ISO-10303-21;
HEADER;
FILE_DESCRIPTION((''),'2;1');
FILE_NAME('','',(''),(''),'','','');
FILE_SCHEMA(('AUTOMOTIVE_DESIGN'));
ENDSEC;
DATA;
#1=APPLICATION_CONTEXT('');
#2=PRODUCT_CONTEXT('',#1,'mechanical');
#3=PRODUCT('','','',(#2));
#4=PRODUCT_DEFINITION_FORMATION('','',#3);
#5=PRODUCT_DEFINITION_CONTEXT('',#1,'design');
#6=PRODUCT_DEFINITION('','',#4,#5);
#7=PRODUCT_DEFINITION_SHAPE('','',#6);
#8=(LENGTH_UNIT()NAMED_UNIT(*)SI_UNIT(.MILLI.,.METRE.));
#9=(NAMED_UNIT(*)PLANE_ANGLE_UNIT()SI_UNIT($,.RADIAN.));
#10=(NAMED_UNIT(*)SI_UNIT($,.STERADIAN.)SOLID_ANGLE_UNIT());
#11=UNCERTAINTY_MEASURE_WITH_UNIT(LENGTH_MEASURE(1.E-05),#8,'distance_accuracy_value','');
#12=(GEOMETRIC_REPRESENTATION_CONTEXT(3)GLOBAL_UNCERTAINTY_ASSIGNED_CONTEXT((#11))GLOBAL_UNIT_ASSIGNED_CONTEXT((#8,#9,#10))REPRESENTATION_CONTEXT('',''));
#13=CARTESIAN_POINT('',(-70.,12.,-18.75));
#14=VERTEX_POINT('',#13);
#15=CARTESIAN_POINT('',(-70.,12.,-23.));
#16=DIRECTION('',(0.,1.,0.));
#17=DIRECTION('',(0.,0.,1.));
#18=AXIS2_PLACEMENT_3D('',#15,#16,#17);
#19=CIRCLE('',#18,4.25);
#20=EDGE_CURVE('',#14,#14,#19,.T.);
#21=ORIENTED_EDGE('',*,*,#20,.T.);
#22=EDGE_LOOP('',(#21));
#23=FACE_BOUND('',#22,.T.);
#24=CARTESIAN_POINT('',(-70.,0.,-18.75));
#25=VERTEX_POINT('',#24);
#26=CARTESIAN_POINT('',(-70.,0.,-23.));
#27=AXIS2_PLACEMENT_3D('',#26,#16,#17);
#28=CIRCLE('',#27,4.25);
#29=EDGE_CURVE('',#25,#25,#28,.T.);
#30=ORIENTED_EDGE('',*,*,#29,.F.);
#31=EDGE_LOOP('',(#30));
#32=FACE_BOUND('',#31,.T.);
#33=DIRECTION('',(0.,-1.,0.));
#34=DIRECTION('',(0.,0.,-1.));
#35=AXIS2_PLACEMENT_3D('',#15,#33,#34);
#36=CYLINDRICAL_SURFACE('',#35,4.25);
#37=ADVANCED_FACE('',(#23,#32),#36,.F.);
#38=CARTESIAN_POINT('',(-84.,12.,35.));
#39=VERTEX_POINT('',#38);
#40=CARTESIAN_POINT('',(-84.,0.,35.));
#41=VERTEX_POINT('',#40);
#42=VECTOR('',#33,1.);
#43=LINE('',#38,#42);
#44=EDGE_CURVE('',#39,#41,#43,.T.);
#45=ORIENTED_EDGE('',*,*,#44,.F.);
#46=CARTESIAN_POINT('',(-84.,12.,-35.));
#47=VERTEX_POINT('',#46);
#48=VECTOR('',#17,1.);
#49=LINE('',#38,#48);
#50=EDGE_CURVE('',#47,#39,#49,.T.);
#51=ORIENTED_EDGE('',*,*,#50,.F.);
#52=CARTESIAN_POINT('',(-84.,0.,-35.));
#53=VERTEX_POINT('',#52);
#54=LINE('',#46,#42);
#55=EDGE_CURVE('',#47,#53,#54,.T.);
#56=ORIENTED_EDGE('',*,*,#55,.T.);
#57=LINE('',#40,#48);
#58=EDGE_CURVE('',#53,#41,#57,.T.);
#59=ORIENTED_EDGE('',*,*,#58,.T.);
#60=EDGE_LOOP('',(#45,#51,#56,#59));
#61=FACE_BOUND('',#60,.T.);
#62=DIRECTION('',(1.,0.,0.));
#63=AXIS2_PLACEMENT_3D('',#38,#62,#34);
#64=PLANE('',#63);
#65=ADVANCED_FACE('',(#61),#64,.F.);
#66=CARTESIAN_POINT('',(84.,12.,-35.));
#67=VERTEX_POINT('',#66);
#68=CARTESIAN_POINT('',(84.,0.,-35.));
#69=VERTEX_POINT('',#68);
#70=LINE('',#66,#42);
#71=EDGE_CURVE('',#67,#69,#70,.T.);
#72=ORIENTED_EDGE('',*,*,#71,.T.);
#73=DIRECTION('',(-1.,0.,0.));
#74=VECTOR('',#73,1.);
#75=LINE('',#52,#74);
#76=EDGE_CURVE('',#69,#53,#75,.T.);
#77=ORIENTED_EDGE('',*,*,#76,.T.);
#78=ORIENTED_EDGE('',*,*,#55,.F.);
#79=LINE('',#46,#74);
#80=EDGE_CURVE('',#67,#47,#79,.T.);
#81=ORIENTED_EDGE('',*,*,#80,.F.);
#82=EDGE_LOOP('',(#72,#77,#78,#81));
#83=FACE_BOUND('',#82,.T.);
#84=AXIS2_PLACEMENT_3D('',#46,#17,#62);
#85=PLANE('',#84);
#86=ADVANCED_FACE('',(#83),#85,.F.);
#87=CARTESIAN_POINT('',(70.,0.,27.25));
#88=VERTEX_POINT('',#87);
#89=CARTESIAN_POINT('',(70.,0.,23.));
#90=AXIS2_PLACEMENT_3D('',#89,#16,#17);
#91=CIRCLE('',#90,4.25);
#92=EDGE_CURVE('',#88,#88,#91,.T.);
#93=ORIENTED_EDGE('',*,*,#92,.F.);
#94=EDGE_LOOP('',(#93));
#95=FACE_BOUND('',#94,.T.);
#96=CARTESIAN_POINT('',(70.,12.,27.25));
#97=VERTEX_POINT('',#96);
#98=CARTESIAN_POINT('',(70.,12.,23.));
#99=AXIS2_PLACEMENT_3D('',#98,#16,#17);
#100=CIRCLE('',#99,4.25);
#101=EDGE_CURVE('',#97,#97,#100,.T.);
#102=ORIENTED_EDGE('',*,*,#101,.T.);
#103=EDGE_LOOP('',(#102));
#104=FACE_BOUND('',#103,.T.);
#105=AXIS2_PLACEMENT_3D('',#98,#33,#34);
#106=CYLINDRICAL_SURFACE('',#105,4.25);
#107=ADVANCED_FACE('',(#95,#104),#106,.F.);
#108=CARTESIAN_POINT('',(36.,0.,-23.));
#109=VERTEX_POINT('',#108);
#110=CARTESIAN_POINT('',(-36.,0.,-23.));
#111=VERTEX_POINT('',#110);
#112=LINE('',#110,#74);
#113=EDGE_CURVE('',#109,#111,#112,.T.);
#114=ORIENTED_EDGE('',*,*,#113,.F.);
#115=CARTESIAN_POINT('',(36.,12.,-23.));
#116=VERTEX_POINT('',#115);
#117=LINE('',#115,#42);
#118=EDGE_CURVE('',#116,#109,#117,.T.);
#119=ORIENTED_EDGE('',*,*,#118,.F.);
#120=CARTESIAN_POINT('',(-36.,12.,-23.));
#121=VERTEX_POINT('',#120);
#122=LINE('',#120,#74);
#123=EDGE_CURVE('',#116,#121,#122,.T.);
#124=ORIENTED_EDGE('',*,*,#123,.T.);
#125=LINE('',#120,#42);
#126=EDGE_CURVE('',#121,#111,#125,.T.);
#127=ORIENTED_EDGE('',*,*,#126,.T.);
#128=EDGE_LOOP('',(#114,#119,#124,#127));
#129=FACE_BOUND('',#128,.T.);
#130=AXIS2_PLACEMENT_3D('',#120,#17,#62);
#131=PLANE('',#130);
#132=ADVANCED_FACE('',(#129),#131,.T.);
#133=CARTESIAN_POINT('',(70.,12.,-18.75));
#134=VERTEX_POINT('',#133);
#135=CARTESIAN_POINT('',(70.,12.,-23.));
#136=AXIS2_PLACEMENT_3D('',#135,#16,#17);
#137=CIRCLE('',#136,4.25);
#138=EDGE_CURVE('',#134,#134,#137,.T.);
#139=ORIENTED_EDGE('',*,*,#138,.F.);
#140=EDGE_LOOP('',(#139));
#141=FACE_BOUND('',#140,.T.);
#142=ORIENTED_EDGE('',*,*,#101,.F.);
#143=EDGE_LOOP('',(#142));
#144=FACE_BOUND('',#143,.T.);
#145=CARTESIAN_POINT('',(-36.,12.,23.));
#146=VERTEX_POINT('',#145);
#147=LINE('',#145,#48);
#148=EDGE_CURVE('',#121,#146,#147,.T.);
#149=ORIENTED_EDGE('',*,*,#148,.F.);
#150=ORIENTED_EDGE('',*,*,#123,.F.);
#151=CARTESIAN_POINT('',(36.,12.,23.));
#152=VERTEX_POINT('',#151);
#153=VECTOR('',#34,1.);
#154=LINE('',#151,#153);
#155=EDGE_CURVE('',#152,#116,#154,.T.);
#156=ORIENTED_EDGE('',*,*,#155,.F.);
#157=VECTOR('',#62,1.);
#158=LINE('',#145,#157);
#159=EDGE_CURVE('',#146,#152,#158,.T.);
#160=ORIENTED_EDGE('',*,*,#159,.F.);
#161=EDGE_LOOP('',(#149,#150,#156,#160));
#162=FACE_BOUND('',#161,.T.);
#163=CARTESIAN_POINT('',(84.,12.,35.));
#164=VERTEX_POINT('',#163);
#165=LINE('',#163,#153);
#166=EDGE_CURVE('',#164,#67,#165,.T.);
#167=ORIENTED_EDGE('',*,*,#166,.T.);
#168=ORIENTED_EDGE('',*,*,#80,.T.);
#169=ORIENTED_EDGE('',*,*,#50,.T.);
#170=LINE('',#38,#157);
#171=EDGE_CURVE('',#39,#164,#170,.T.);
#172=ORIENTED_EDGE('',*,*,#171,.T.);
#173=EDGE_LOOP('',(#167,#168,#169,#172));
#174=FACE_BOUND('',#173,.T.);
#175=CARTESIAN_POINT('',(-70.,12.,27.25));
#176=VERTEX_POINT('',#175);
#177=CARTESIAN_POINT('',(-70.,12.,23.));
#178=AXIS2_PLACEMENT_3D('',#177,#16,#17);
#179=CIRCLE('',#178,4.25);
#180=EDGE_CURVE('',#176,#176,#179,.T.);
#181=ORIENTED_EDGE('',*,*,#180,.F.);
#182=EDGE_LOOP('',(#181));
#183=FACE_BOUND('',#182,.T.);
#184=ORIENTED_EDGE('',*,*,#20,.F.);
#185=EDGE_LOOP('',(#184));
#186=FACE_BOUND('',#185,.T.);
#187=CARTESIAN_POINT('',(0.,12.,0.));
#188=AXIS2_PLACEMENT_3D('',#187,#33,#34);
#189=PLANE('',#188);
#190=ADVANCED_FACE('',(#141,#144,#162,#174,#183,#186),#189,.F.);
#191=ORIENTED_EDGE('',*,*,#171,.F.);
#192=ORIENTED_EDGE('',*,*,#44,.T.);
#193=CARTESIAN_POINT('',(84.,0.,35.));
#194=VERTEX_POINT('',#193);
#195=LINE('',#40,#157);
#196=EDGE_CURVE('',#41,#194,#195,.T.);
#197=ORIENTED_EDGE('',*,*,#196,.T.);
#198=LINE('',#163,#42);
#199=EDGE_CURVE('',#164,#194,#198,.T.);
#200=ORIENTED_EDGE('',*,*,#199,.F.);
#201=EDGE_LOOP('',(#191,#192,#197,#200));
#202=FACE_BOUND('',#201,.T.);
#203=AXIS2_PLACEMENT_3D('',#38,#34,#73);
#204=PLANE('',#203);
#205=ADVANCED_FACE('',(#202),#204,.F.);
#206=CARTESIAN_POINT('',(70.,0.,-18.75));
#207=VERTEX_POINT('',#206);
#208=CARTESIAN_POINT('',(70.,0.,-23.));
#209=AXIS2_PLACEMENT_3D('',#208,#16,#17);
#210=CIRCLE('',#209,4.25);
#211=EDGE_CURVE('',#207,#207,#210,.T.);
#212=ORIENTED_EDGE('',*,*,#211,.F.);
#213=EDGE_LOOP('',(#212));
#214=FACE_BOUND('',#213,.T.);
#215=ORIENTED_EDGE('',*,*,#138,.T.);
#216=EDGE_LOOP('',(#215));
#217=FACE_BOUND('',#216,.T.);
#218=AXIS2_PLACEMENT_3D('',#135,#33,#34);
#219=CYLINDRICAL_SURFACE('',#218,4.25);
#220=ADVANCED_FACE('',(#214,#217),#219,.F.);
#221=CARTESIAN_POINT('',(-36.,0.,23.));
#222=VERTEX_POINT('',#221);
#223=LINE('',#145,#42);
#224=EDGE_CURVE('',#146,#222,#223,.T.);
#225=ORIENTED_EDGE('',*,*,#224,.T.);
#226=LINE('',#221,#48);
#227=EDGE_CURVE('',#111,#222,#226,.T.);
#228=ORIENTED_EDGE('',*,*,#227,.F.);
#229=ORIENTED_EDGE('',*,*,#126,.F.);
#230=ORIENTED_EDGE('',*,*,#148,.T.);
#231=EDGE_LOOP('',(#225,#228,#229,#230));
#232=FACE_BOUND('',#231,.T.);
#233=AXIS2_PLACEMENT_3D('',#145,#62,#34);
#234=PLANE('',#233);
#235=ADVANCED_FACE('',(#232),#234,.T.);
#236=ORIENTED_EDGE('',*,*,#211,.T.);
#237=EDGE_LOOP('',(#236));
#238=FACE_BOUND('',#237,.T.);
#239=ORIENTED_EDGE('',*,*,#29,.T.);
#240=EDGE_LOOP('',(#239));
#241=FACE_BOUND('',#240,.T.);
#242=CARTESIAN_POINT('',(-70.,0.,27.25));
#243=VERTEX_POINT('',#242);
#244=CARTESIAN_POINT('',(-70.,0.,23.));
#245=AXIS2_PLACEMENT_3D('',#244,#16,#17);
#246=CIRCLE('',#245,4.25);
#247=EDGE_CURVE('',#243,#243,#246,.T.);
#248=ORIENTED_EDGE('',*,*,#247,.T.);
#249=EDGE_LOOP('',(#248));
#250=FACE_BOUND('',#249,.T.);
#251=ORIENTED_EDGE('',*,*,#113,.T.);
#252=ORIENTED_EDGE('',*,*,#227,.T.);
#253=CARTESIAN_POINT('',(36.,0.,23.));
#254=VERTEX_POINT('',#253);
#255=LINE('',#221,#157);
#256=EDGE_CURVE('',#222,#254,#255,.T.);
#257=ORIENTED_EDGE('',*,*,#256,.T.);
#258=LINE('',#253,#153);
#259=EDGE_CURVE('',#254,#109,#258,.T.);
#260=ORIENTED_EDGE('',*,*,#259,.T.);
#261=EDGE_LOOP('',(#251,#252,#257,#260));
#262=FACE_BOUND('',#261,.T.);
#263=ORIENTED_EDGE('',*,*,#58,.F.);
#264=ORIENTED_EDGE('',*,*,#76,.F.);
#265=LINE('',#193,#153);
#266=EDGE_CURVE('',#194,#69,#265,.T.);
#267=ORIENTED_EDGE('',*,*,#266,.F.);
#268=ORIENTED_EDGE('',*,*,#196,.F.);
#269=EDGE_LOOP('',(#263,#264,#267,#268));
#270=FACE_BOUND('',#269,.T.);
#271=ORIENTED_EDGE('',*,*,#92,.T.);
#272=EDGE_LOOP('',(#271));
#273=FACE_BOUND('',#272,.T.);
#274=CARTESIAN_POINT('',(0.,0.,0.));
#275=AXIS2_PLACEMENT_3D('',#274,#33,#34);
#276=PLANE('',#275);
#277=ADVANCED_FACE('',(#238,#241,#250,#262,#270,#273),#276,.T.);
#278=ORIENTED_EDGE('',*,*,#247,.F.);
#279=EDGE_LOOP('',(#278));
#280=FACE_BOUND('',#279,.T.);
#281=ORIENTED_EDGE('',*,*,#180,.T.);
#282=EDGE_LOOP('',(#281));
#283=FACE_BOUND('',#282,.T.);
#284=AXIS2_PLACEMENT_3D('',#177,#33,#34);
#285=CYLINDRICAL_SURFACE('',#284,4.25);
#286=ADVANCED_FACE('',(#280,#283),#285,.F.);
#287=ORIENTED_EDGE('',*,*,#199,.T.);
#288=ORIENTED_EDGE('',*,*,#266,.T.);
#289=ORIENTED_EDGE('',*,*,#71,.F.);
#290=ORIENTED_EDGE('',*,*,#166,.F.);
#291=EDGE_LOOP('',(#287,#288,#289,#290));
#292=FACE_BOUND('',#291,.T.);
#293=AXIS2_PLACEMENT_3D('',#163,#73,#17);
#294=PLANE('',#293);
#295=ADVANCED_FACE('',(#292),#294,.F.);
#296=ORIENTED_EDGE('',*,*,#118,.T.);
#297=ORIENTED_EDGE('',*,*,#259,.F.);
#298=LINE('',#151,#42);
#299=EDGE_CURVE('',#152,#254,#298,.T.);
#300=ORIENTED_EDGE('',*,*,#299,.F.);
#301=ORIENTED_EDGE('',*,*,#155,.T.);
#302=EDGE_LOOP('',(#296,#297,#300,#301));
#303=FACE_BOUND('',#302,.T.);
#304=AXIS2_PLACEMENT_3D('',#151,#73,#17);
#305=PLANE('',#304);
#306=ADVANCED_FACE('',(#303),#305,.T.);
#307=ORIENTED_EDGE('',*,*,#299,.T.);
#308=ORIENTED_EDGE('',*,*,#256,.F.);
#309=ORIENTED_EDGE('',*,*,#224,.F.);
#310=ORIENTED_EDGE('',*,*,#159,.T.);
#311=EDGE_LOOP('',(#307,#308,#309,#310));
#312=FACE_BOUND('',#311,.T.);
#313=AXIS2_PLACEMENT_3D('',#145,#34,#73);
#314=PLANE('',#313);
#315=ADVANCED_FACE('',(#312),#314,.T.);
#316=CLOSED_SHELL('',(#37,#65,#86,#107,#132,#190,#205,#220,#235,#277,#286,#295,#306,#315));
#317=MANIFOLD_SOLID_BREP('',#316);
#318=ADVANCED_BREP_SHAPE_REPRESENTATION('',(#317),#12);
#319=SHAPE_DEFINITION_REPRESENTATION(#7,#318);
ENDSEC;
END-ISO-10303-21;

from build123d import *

# Parameters (mm, degrees)
SKETCH1_W                  = 168
SKETCH1_H                  = 70
SKETCH1_R                  = 4.25
SKETCH1_W_2                = 72
SKETCH1_H_2                = 46
BRIDGE_CLAMP_EXTRUDE_DEPTH = 12


with BuildPart() as part:
    # Sketch1 → Bridge_Clamp_Extrude (new body)
    with BuildSketch(Plane(origin=(0, 0, 0), x_dir=(1, 0, 0), z_dir=(0, 1, 0))):
        Rectangle(SKETCH1_W, SKETCH1_H)
        with Locations(Location((-70, -23, 0), (0, 0, 270))):
            Circle(SKETCH1_R, mode=Mode.SUBTRACT)
        with Locations(Location((70, -23, 0), (0, 0, 270))):
            Circle(SKETCH1_R, mode=Mode.SUBTRACT)
        with Locations(Location((-70, 23, 0), (0, 0, 270))):
            Circle(SKETCH1_R, mode=Mode.SUBTRACT)
        with Locations(Location((70, 23, 0), (0, 0, 270))):
            Circle(SKETCH1_R, mode=Mode.SUBTRACT)
        Rectangle(SKETCH1_W_2, SKETCH1_H_2, mode=Mode.SUBTRACT)
    extrude(amount=BRIDGE_CLAMP_EXTRUDE_DEPTH)


solid = part.part
